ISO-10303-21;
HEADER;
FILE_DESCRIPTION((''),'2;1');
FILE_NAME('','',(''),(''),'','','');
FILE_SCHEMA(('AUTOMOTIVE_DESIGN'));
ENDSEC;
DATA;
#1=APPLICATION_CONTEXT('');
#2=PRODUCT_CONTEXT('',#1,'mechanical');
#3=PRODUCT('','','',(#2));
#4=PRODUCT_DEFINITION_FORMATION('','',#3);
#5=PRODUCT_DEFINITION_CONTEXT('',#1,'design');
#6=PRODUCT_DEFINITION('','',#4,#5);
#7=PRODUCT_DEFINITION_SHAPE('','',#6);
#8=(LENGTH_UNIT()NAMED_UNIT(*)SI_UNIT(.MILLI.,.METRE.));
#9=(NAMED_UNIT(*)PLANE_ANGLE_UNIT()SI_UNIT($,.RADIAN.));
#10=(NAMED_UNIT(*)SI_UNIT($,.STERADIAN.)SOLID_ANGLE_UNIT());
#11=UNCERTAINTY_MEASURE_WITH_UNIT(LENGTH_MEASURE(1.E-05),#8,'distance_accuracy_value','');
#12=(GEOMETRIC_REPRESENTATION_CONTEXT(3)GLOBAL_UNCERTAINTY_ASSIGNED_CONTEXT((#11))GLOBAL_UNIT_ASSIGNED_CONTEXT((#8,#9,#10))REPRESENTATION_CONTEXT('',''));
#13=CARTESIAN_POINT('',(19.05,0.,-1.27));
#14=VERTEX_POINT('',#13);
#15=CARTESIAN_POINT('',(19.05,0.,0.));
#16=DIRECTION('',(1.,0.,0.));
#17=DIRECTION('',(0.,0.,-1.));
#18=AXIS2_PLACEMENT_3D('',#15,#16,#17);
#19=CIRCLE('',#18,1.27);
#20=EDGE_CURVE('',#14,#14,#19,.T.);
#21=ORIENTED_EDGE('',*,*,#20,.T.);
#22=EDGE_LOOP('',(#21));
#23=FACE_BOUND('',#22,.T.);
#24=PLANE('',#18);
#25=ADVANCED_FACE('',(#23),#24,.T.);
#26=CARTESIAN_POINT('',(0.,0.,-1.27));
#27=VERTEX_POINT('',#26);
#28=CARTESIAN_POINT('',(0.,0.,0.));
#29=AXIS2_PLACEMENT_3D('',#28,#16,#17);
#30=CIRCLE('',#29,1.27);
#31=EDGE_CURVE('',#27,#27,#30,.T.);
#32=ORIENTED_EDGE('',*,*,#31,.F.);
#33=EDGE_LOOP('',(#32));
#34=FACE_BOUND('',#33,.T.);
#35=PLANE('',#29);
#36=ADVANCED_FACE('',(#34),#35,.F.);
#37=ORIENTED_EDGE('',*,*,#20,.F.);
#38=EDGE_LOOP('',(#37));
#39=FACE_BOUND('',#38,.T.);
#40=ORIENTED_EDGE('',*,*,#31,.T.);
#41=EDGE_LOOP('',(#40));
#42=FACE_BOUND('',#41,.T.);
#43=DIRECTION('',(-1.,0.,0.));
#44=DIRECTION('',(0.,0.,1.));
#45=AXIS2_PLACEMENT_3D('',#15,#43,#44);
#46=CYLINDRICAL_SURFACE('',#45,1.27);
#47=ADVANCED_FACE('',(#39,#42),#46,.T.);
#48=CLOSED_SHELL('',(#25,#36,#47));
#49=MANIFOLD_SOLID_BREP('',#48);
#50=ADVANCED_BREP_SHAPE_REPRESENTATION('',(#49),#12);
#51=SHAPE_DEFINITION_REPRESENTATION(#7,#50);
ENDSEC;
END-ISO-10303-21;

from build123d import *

# Parameters (mm, degrees)
SKETCH1_R           = 1.27
BOSS_EXTRUDE1_DEPTH = 19.05


with BuildPart() as part:
    # Sketch1 → Boss-Extrude1 (new body)
    with BuildSketch(Plane(origin=(0, 0, 0), x_dir=(0, 0, -1), z_dir=(1, 0, 0))):
        Circle(SKETCH1_R)
    extrude(amount=BOSS_EXTRUDE1_DEPTH)


solid = part.part
